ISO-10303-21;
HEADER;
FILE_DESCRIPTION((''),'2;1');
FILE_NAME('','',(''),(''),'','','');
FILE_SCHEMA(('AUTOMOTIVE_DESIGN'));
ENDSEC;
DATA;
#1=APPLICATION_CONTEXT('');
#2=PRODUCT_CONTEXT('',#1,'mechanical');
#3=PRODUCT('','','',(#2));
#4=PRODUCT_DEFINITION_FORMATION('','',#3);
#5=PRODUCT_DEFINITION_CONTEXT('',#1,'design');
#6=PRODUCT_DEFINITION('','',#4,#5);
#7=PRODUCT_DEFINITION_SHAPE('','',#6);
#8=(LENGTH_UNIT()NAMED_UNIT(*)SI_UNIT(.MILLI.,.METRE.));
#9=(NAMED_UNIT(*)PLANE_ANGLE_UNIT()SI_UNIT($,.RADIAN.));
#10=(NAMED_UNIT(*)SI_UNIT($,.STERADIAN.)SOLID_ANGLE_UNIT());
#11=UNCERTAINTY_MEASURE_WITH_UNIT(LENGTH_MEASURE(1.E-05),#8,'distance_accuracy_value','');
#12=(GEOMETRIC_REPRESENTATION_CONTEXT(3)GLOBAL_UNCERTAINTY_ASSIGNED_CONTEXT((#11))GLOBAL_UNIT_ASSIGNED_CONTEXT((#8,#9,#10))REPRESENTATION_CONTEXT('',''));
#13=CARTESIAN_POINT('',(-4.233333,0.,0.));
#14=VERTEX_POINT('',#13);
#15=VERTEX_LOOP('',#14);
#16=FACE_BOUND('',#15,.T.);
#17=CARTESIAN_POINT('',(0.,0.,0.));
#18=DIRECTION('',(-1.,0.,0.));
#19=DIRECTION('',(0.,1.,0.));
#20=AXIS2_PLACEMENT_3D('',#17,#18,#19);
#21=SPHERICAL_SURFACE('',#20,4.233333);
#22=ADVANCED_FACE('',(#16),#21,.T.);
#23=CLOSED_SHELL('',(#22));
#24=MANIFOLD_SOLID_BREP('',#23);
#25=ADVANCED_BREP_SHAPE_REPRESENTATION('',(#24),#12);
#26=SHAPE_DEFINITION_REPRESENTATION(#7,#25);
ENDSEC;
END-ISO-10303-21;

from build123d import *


with BuildPart() as part:
    # Sketch1 → Revolve1 (revolve)
    with BuildSketch(Plane.XY):
        with BuildLine():
            Line((-4.233333333, 0), (4.233333333, 0))
            ThreePointArc((4.233333333, 0), (0, 4.233333333), (-4.233333333, 0))
        make_face()
    revolve(axis=Axis((-15.275591218, 0, 0), (1, 0, 0)))


solid = part.part
